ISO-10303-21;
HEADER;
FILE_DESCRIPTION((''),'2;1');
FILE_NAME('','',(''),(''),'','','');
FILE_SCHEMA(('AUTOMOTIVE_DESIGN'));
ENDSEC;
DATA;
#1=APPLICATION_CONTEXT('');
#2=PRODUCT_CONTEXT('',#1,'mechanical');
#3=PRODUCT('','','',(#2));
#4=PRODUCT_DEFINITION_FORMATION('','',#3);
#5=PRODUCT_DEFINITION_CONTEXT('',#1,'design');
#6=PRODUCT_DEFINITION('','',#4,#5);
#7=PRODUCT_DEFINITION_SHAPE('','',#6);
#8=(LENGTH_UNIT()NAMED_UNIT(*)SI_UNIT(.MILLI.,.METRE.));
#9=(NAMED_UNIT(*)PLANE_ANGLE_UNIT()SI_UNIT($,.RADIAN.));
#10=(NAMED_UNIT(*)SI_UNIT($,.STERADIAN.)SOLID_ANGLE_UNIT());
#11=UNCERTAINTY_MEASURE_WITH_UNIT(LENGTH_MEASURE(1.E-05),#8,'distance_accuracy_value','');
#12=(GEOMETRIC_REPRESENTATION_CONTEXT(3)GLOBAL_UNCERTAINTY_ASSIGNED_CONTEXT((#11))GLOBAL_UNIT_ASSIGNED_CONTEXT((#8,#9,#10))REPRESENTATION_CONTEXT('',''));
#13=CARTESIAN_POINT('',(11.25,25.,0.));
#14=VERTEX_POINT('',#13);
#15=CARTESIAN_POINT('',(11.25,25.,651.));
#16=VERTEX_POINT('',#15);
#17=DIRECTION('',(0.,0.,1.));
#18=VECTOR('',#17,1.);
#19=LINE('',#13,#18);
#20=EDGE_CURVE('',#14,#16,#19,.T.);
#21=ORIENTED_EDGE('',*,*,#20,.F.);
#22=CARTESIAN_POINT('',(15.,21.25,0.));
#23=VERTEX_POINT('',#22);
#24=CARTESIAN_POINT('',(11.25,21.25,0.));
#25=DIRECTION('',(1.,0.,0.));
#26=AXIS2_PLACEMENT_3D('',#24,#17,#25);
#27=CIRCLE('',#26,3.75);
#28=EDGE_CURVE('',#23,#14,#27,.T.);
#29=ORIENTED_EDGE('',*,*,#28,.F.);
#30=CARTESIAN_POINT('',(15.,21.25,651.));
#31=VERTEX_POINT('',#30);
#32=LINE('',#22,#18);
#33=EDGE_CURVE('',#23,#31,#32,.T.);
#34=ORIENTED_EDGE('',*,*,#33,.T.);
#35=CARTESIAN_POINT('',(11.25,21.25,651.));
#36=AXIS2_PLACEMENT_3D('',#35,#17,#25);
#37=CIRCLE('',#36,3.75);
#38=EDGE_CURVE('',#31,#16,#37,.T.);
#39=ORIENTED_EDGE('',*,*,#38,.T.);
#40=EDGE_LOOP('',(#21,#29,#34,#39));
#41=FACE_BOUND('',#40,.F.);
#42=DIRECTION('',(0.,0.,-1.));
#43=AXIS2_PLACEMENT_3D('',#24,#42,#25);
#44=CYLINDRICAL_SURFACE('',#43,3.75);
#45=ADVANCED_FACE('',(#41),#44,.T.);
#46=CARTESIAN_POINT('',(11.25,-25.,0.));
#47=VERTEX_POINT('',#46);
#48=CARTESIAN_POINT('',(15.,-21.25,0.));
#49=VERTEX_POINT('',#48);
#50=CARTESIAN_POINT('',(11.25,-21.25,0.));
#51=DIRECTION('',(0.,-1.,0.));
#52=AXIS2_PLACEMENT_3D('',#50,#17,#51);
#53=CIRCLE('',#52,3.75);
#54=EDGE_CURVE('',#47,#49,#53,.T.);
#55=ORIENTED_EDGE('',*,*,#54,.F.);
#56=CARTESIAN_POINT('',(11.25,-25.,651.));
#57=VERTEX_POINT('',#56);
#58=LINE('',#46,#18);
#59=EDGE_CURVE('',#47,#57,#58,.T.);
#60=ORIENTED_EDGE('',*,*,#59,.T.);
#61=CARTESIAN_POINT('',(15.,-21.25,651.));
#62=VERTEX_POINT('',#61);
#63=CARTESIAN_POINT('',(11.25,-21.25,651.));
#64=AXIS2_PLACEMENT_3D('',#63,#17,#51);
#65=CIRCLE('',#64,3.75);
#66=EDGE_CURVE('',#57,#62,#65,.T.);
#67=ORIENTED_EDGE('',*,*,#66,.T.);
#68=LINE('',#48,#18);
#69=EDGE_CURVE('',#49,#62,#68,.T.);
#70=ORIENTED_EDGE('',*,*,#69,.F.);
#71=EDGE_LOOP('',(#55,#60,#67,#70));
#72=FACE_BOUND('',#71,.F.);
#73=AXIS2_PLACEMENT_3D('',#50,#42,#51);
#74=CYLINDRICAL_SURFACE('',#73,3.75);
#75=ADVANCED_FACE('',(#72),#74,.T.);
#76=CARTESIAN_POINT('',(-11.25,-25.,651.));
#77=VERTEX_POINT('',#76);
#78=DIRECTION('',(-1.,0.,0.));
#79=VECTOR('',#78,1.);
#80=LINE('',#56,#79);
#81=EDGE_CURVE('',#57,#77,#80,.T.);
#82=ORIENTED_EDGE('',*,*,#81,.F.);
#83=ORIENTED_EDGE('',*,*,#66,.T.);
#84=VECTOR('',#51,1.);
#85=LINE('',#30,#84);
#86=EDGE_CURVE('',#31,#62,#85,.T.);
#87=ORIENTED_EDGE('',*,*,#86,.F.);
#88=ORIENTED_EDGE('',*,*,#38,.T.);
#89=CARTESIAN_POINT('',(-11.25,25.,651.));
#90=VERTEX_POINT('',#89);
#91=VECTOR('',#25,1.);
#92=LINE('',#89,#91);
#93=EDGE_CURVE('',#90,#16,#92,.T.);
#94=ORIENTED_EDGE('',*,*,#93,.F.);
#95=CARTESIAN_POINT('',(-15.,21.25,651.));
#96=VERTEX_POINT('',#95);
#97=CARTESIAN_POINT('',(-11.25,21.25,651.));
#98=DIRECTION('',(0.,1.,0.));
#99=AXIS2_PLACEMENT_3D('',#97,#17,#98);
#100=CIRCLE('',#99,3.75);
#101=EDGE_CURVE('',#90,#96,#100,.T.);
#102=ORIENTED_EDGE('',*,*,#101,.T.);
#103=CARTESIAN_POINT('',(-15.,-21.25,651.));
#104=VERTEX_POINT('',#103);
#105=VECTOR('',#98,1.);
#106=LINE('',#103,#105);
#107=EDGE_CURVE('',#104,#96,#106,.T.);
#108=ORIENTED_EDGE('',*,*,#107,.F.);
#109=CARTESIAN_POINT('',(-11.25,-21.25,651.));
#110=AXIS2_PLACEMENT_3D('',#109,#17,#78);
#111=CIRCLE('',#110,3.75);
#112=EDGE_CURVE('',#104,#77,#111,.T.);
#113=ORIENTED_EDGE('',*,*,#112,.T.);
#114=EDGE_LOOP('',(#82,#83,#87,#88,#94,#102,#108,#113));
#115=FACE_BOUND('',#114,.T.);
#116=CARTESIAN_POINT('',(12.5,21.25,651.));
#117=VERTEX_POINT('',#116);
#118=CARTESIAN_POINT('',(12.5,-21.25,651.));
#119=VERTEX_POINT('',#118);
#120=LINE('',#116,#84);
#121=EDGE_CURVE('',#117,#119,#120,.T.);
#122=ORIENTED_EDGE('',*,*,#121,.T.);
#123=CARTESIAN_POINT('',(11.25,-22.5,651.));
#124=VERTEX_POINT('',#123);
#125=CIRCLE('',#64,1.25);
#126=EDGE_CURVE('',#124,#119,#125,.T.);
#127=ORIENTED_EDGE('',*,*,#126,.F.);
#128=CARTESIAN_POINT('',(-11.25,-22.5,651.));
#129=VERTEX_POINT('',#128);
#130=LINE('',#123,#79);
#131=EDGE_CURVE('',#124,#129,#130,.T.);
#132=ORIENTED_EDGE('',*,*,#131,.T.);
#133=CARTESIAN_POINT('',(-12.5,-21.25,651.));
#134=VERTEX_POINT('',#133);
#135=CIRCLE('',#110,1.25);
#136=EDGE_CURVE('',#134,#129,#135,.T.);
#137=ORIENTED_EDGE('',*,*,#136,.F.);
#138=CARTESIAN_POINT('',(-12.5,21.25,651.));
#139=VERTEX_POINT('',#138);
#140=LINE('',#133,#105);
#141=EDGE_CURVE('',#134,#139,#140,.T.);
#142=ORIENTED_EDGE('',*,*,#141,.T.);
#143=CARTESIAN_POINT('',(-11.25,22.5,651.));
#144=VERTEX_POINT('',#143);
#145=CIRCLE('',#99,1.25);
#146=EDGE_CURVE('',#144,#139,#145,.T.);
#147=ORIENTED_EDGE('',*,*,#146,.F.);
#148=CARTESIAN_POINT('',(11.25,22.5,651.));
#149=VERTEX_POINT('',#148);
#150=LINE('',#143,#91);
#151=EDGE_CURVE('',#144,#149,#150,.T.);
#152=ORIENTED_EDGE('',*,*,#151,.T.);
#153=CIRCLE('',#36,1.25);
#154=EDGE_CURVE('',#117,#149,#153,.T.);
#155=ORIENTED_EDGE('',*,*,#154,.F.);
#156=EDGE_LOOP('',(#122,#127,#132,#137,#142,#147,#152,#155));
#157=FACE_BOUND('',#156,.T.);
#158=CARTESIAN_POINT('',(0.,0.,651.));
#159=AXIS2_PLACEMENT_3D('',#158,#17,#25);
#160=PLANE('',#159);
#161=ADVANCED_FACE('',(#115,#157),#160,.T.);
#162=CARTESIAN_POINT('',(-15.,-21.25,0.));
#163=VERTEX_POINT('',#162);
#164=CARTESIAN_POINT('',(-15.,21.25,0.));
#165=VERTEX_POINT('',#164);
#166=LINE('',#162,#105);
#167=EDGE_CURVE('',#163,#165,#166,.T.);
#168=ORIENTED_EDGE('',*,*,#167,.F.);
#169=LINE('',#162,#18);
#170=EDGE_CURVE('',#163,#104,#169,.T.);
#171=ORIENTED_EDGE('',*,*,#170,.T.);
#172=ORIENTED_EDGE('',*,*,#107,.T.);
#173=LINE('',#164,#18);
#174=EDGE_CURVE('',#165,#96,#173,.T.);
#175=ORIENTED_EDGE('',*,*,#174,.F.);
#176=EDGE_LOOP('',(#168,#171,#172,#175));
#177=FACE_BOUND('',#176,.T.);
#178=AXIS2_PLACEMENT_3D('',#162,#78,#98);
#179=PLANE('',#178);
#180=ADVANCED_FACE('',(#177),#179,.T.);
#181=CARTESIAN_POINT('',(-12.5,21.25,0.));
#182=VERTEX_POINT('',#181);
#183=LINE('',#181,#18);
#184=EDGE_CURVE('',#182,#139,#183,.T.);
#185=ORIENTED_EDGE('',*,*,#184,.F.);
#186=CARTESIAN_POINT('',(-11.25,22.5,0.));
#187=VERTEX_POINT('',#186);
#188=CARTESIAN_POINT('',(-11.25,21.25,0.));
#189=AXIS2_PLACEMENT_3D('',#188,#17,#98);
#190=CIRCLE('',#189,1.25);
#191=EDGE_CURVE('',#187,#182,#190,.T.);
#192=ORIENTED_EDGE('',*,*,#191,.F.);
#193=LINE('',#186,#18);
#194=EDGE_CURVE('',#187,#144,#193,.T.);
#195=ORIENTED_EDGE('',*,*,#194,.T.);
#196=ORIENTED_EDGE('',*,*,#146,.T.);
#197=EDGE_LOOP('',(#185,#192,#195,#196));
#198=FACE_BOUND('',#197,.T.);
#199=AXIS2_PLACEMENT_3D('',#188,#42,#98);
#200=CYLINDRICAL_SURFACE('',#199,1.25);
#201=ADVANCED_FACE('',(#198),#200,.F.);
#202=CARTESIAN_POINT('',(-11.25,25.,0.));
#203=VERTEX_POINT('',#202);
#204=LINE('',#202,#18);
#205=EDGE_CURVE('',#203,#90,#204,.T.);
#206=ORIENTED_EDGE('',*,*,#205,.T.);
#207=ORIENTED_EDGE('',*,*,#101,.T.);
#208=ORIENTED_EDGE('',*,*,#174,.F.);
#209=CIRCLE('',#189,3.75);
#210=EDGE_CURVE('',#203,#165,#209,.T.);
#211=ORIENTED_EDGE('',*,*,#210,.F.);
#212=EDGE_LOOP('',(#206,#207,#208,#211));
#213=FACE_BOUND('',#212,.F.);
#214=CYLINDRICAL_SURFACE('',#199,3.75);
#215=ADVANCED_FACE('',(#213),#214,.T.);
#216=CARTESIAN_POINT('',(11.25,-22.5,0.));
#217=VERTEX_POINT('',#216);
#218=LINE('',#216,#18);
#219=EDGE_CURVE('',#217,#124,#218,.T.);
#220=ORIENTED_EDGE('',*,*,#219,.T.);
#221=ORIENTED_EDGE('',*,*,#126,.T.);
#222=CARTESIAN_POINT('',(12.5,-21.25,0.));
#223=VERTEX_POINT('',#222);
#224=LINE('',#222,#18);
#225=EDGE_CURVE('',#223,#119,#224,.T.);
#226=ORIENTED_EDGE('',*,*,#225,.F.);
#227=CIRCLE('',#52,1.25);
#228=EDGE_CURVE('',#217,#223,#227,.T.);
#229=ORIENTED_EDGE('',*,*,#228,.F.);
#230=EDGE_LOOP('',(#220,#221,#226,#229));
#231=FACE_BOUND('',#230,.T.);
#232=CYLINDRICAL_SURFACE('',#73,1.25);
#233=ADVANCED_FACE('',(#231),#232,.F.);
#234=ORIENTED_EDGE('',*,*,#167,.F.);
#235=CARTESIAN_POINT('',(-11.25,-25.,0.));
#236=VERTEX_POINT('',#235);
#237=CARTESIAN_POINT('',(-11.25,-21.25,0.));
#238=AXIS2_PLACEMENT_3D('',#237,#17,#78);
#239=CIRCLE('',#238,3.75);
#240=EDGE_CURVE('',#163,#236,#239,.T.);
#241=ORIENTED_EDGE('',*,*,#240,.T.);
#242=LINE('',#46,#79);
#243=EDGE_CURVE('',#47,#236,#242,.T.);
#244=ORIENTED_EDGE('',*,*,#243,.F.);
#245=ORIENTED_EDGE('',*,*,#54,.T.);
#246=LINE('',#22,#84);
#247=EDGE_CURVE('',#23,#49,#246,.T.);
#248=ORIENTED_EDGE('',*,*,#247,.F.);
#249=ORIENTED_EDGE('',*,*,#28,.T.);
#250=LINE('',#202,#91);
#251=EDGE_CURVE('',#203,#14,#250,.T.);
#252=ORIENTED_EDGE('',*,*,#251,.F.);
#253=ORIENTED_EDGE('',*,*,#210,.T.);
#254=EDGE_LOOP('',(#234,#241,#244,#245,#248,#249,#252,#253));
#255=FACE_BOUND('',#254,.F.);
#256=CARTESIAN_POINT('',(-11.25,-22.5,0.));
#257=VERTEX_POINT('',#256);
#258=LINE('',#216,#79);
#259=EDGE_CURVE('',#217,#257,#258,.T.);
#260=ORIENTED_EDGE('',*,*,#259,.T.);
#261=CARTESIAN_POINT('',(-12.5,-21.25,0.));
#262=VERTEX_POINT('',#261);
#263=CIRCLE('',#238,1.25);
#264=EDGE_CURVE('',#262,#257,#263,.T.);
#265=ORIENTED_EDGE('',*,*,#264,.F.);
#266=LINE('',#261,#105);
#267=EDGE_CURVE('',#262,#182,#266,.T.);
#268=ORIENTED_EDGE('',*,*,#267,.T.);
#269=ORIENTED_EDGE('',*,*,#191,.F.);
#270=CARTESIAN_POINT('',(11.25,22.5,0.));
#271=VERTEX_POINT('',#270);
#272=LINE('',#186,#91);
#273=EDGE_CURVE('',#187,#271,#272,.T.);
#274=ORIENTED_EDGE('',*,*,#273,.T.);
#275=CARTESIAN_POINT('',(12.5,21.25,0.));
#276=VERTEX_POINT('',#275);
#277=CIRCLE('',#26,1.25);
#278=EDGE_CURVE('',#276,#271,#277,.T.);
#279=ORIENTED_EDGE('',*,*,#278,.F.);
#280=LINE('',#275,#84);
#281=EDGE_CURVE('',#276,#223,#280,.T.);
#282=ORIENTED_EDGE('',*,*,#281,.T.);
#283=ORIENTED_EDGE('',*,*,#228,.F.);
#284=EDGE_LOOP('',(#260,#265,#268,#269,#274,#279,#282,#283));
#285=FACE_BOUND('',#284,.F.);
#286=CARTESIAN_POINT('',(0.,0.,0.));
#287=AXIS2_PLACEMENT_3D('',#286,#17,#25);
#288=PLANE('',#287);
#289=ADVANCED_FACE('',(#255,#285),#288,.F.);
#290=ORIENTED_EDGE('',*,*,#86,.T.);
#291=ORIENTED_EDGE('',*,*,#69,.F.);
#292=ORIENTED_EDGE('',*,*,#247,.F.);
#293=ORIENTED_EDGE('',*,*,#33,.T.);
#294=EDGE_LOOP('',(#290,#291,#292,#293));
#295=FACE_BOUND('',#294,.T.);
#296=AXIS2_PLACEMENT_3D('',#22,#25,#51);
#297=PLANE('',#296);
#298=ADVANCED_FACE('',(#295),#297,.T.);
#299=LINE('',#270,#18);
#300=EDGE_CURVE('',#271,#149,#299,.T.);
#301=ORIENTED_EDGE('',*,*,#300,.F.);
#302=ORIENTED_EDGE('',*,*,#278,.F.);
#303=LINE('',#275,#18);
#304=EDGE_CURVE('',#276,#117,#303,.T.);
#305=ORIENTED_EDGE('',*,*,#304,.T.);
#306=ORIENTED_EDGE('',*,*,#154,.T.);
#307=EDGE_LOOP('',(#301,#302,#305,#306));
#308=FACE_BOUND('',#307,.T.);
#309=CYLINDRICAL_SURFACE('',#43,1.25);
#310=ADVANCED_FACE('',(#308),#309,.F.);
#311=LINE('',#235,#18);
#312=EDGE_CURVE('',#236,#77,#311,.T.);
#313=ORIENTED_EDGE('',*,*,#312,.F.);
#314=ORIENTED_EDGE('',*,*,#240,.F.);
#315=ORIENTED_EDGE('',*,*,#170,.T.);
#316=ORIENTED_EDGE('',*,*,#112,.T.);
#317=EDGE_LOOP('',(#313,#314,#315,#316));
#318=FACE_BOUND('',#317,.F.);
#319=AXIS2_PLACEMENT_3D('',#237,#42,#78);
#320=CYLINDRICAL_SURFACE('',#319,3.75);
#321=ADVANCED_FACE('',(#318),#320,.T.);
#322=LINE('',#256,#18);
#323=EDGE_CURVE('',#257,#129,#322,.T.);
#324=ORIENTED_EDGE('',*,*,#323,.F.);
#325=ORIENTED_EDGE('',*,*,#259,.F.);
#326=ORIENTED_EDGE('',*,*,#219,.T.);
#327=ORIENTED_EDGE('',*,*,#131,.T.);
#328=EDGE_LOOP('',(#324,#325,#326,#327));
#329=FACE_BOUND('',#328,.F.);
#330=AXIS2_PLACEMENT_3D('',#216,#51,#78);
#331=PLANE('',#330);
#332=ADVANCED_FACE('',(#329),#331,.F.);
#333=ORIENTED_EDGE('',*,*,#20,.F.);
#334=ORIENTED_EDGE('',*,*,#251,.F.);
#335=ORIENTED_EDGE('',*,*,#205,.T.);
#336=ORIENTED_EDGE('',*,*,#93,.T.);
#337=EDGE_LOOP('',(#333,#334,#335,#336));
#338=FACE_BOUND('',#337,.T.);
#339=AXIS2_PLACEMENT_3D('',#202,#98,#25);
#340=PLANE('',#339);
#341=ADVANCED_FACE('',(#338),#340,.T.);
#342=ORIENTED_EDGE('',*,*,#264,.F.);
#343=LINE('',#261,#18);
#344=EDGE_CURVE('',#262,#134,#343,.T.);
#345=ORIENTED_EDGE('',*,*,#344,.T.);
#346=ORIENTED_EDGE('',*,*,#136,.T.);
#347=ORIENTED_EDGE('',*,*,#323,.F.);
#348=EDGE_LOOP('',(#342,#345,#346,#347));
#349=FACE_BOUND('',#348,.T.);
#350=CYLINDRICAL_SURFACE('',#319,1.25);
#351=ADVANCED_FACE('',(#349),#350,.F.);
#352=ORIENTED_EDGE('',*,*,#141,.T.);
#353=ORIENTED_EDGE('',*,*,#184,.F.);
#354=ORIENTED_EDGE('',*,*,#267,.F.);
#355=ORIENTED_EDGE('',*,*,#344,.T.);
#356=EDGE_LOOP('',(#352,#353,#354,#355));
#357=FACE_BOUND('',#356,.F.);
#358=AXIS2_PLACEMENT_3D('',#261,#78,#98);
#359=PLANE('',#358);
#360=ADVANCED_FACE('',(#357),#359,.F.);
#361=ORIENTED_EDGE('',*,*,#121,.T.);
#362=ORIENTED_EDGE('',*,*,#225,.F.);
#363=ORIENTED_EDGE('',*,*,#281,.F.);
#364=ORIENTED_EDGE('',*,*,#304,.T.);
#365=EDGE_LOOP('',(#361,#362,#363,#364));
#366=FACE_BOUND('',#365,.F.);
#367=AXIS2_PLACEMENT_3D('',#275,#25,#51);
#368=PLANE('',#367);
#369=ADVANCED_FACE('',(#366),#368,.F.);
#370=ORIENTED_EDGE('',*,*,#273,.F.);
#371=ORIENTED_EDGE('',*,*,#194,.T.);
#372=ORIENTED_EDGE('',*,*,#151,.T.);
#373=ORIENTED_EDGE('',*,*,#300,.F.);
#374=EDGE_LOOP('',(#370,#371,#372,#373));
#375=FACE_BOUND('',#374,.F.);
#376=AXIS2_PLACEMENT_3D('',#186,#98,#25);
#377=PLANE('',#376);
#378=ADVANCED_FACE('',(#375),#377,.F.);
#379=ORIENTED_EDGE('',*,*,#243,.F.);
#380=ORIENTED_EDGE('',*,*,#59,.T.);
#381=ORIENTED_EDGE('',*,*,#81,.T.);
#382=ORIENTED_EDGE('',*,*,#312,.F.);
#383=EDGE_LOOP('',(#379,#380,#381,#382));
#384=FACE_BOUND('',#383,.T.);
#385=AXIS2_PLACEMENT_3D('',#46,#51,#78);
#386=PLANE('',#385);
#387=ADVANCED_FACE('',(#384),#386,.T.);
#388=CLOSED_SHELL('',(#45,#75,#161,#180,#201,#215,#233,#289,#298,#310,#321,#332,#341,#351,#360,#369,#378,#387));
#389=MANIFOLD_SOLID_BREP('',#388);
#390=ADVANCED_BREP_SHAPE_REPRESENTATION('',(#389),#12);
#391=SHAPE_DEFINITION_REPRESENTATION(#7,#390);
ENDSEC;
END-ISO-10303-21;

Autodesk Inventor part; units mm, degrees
ref_plane "YZ Plane" through (0, 0, 0) normal (1, 0, 0) x (0, 1, 0)
ref_plane "Start plane" through (0, 0, 0) normal (0, 0, 1) x (1, 0, 0)
ref_plane "End plane" through (0, 0, 651) normal (0, 0, 1) x (1, 0, 0)
sketch "Sketch" plane through (0, 0, 0) normal (0, 0, 1) x (1, 0, 0)
  line L0 (-15, -21.25) -> (-15, 21.25)
  line L1 (-11.25, 25) -> (11.25, 25)
  line L2 (15, 21.25) -> (15, -21.25)
  line L3 (11.25, -25) -> (-11.25, -25)
  arc A0 (-15, -21.25) -> (-11.25, -25) centre (-11.25, -21.25) ccw
  arc A1 (-11.25, 25) -> (-15, 21.25) centre (-11.25, 21.25) ccw
  arc A2 (15, 21.25) -> (11.25, 25) centre (11.25, 21.25) ccw
  arc A3 (11.25, -25) -> (15, -21.25) centre (11.25, -21.25) ccw
  arc A4 (-11.25, 22.5) -> (-12.5, 21.25) centre (-11.25, 21.25) ccw
  line L4 (-11.25, 22.5) -> (11.25, 22.5)
  arc A5 (12.5, 21.25) -> (11.25, 22.5) centre (11.25, 21.25) ccw
  line L5 (12.5, 21.25) -> (12.5, -21.25)
  arc A6 (11.25, -22.5) -> (12.5, -21.25) centre (11.25, -21.25) ccw
  line L6 (11.25, -22.5) -> (-11.25, -22.5)
  arc A7 (-12.5, -21.25) -> (-11.25, -22.5) centre (-11.25, -21.25) ccw
  line L7 (-12.5, -21.25) -> (-12.5, 21.25)
  line L8 (0, 36.0873) -> (0, -36.0873) construction
  line L9 (-22.0873, 0) -> (22.0873, 0) construction
  dimension "d7" = 3.75
  dimension "d10" = 50
  dimension "d11" = 30
  dimension "d12" = 2.5
  dimension "d15" = 25
  dimension "d16" = 15
extrude "Body" add sketch "Sketch" along normal up to surface (651 mm away) from surface at 0
sketch "Sketch3" plane through (0, 0, 0) normal (0, 0, 1) x (1, 0, 0)
  line L0 (0, 0) -> (10, 0)
ref_plane "Work Plane3" through (0, 0, 0) normal (0, -1, 0) x (1, 0, 0)
sketch "Sketch4" plane through (0, 0, 0) normal (0, -1, 0) x (1, 0, 0)
  line L0 (-2, 0) -> (12, 0)
  line L1 (-2, 651) -> (12, 651)
  dimension "d18" = 651
equation "\"d7\" = G_IR"
equation "\"d10\" = G_H"
equation "\"d11\" = G_W"
equation "\"d12\" = G_T"
equation "\"d15\" = 0.5 * d10"
equation "\"d16\" = 0.5 * d11"
equation "\"d3\" = G_L"
equation "\"G_W\" = 30"
equation "\"G_H\" = 50"
equation "\"G_T\" = 2.5"
equation "\"G_IR\" = 3.75"
equation "\"G_L\" = d18"
equation "\"G_OFFSET_START\" = 0"
equation "\"G_OFFSET_END\" = 0"
equation "\"d14\" = G_OFFSET_END + B_L"
equation "\"B_L\" = 651"
properties part number "EN 10210-2 - 50 x 30 x 2,5 - 651" material "Steel, Mild"
